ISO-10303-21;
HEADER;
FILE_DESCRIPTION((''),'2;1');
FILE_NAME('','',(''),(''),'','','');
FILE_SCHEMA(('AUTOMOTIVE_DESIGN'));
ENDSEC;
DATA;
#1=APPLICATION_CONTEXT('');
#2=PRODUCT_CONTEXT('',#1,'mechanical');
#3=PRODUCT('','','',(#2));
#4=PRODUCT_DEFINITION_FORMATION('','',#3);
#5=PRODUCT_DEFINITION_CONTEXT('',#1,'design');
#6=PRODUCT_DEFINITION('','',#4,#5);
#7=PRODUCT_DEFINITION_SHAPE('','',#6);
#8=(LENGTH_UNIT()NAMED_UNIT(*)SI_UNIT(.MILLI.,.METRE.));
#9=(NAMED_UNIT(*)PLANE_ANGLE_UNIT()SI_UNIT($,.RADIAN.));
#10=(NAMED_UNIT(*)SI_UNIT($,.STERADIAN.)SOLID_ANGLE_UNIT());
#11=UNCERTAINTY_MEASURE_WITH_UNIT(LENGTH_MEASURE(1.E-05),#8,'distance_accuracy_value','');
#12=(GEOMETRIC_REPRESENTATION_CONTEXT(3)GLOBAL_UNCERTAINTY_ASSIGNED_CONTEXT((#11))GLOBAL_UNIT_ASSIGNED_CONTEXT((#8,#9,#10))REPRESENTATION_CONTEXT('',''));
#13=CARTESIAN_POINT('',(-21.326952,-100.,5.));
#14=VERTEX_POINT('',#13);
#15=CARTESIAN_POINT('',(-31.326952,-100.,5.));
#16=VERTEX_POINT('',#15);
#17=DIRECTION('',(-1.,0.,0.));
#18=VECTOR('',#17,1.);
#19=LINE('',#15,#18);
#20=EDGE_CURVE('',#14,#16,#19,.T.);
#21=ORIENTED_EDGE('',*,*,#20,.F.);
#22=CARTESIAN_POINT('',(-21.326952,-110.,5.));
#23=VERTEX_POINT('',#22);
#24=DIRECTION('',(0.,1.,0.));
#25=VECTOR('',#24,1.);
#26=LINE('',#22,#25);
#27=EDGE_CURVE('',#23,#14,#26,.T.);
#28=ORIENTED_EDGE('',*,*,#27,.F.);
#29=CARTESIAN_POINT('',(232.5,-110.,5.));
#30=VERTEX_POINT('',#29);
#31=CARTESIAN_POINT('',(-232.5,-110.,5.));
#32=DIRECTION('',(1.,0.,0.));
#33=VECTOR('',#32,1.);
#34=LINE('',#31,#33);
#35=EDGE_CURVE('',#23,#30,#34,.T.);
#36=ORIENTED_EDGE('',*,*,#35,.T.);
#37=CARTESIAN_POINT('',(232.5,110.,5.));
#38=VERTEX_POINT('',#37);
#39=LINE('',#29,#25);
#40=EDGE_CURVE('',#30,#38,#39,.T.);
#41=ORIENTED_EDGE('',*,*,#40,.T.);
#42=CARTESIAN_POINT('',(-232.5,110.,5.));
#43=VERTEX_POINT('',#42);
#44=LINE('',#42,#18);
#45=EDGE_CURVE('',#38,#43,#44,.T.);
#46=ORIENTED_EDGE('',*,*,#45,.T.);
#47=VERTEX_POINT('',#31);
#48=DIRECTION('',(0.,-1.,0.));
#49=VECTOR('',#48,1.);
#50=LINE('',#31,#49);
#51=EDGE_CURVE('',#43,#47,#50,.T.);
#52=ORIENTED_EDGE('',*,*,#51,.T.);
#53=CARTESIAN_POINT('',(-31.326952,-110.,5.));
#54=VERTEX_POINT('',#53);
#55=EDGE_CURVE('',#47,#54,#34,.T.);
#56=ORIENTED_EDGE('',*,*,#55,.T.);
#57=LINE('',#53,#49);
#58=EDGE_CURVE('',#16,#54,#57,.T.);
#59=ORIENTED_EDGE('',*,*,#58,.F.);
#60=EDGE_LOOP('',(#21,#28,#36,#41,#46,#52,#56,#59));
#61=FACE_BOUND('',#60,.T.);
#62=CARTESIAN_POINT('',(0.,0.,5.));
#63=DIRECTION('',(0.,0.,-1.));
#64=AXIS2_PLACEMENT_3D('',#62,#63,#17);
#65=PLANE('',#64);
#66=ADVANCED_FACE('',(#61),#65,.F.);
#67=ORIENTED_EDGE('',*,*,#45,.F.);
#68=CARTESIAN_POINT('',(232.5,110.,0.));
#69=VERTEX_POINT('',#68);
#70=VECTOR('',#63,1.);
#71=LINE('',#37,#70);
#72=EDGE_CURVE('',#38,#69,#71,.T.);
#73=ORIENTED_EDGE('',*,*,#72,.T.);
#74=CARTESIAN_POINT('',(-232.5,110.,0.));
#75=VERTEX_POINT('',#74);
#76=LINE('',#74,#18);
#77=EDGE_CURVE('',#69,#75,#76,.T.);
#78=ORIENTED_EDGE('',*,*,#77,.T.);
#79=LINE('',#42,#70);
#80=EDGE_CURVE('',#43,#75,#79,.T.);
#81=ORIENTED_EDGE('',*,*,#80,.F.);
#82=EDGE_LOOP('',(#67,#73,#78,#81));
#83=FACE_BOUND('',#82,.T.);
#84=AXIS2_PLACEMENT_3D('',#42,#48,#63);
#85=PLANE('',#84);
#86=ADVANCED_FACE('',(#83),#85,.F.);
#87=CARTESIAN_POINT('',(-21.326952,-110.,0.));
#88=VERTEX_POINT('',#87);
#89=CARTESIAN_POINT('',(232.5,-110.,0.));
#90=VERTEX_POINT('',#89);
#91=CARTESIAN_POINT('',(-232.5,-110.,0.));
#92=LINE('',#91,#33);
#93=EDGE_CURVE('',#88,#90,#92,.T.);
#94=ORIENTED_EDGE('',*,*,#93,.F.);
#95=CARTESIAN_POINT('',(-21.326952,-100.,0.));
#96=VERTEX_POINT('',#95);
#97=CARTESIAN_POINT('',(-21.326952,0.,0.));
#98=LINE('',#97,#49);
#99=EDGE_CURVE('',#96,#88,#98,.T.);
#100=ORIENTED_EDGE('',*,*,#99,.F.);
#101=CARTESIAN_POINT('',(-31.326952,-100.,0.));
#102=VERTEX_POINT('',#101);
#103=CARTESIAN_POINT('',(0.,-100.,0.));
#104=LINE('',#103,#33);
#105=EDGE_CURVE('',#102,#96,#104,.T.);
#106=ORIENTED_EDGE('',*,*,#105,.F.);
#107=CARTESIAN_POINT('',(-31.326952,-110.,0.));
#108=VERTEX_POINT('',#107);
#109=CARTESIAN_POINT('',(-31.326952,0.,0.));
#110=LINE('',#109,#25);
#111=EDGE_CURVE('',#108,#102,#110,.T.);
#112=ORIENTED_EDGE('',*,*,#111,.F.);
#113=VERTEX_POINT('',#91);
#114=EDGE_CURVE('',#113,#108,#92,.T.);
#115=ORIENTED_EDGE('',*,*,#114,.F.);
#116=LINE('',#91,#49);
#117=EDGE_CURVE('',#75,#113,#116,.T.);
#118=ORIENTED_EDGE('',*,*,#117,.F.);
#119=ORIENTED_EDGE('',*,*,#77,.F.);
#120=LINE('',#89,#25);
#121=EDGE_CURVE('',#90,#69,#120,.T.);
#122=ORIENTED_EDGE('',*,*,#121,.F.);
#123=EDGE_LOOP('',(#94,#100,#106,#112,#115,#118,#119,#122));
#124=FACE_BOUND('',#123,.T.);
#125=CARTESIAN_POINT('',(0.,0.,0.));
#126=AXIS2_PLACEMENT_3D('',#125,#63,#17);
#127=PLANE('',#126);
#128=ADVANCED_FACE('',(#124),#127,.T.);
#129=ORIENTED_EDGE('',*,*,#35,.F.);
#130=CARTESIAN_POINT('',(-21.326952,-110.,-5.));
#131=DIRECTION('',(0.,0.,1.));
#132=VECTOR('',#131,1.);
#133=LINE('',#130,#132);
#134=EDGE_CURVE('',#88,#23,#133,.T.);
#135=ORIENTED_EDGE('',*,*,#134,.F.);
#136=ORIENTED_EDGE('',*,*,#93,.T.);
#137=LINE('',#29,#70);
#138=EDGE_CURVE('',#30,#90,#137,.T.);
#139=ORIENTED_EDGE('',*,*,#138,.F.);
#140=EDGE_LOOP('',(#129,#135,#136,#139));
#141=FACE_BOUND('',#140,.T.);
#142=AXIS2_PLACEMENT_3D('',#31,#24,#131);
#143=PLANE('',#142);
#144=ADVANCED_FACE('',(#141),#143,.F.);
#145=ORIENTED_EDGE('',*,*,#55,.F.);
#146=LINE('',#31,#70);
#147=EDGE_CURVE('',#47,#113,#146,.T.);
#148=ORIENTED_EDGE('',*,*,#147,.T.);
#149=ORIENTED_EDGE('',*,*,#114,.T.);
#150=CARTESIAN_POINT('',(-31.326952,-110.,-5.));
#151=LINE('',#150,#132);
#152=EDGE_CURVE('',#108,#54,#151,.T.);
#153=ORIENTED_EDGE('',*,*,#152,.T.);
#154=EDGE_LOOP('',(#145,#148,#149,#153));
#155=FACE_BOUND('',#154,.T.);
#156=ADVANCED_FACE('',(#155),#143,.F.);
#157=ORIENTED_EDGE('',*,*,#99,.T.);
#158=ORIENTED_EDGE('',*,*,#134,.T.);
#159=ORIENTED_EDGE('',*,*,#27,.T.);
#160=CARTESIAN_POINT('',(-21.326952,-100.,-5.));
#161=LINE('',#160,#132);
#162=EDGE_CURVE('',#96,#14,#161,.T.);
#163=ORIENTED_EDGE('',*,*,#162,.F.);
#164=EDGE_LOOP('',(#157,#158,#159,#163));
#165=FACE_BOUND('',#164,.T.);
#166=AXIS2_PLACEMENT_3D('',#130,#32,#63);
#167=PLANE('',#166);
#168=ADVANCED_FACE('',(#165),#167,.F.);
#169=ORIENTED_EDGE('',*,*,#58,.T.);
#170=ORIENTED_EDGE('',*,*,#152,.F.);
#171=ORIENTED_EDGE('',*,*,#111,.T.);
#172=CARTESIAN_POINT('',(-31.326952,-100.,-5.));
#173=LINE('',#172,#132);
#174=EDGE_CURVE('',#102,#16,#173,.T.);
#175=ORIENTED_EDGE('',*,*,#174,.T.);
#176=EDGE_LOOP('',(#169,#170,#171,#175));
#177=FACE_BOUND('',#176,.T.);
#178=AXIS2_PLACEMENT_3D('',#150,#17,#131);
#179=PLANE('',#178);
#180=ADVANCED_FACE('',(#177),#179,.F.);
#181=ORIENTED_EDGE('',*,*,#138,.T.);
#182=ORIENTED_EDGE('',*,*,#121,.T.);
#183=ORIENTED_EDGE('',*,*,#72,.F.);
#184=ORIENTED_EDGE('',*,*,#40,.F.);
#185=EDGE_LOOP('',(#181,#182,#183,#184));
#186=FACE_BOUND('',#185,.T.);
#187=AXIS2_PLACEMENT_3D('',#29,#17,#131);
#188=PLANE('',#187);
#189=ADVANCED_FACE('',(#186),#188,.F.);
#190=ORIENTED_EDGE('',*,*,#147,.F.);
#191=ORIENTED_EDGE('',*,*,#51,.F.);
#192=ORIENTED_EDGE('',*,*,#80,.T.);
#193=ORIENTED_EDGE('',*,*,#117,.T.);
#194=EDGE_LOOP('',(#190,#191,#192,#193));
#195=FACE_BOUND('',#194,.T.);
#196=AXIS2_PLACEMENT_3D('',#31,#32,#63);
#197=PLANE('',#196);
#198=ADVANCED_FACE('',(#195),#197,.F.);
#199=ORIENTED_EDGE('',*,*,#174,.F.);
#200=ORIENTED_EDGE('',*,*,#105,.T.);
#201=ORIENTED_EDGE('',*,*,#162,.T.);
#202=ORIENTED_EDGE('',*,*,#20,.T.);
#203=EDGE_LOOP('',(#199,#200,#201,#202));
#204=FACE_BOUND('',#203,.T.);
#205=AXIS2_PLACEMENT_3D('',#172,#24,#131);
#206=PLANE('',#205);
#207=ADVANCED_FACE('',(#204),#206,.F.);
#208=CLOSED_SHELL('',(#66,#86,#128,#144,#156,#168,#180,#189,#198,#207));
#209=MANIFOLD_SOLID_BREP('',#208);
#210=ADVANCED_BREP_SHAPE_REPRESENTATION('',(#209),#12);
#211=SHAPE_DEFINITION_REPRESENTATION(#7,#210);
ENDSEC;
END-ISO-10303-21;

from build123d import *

# Parameters (mm, degrees)
SKETCH1_W           = 465
SKETCH1_H           = 220
BOSS_EXTRUDE1_DEPTH = 5
SKETCH2_W           = 10
SKETCH2_H           = 10
CUT_EXTRUDE1_DEPTH  = 10


with BuildPart() as part:
    # Sketch1 → Boss-Extrude1 (new body)
    with BuildSketch(Plane.XY):
        Rectangle(SKETCH1_W, SKETCH1_H)
    extrude(amount=BOSS_EXTRUDE1_DEPTH)

    # Sketch2 → Cut-Extrude1 (cut)
    with BuildSketch(Plane.XY.offset(5)):
        with Locations((-26.326952301, -105)):
            Rectangle(SKETCH2_W, SKETCH2_H)
    extrude(amount=-CUT_EXTRUDE1_DEPTH, mode=Mode.SUBTRACT)


solid = part.part
